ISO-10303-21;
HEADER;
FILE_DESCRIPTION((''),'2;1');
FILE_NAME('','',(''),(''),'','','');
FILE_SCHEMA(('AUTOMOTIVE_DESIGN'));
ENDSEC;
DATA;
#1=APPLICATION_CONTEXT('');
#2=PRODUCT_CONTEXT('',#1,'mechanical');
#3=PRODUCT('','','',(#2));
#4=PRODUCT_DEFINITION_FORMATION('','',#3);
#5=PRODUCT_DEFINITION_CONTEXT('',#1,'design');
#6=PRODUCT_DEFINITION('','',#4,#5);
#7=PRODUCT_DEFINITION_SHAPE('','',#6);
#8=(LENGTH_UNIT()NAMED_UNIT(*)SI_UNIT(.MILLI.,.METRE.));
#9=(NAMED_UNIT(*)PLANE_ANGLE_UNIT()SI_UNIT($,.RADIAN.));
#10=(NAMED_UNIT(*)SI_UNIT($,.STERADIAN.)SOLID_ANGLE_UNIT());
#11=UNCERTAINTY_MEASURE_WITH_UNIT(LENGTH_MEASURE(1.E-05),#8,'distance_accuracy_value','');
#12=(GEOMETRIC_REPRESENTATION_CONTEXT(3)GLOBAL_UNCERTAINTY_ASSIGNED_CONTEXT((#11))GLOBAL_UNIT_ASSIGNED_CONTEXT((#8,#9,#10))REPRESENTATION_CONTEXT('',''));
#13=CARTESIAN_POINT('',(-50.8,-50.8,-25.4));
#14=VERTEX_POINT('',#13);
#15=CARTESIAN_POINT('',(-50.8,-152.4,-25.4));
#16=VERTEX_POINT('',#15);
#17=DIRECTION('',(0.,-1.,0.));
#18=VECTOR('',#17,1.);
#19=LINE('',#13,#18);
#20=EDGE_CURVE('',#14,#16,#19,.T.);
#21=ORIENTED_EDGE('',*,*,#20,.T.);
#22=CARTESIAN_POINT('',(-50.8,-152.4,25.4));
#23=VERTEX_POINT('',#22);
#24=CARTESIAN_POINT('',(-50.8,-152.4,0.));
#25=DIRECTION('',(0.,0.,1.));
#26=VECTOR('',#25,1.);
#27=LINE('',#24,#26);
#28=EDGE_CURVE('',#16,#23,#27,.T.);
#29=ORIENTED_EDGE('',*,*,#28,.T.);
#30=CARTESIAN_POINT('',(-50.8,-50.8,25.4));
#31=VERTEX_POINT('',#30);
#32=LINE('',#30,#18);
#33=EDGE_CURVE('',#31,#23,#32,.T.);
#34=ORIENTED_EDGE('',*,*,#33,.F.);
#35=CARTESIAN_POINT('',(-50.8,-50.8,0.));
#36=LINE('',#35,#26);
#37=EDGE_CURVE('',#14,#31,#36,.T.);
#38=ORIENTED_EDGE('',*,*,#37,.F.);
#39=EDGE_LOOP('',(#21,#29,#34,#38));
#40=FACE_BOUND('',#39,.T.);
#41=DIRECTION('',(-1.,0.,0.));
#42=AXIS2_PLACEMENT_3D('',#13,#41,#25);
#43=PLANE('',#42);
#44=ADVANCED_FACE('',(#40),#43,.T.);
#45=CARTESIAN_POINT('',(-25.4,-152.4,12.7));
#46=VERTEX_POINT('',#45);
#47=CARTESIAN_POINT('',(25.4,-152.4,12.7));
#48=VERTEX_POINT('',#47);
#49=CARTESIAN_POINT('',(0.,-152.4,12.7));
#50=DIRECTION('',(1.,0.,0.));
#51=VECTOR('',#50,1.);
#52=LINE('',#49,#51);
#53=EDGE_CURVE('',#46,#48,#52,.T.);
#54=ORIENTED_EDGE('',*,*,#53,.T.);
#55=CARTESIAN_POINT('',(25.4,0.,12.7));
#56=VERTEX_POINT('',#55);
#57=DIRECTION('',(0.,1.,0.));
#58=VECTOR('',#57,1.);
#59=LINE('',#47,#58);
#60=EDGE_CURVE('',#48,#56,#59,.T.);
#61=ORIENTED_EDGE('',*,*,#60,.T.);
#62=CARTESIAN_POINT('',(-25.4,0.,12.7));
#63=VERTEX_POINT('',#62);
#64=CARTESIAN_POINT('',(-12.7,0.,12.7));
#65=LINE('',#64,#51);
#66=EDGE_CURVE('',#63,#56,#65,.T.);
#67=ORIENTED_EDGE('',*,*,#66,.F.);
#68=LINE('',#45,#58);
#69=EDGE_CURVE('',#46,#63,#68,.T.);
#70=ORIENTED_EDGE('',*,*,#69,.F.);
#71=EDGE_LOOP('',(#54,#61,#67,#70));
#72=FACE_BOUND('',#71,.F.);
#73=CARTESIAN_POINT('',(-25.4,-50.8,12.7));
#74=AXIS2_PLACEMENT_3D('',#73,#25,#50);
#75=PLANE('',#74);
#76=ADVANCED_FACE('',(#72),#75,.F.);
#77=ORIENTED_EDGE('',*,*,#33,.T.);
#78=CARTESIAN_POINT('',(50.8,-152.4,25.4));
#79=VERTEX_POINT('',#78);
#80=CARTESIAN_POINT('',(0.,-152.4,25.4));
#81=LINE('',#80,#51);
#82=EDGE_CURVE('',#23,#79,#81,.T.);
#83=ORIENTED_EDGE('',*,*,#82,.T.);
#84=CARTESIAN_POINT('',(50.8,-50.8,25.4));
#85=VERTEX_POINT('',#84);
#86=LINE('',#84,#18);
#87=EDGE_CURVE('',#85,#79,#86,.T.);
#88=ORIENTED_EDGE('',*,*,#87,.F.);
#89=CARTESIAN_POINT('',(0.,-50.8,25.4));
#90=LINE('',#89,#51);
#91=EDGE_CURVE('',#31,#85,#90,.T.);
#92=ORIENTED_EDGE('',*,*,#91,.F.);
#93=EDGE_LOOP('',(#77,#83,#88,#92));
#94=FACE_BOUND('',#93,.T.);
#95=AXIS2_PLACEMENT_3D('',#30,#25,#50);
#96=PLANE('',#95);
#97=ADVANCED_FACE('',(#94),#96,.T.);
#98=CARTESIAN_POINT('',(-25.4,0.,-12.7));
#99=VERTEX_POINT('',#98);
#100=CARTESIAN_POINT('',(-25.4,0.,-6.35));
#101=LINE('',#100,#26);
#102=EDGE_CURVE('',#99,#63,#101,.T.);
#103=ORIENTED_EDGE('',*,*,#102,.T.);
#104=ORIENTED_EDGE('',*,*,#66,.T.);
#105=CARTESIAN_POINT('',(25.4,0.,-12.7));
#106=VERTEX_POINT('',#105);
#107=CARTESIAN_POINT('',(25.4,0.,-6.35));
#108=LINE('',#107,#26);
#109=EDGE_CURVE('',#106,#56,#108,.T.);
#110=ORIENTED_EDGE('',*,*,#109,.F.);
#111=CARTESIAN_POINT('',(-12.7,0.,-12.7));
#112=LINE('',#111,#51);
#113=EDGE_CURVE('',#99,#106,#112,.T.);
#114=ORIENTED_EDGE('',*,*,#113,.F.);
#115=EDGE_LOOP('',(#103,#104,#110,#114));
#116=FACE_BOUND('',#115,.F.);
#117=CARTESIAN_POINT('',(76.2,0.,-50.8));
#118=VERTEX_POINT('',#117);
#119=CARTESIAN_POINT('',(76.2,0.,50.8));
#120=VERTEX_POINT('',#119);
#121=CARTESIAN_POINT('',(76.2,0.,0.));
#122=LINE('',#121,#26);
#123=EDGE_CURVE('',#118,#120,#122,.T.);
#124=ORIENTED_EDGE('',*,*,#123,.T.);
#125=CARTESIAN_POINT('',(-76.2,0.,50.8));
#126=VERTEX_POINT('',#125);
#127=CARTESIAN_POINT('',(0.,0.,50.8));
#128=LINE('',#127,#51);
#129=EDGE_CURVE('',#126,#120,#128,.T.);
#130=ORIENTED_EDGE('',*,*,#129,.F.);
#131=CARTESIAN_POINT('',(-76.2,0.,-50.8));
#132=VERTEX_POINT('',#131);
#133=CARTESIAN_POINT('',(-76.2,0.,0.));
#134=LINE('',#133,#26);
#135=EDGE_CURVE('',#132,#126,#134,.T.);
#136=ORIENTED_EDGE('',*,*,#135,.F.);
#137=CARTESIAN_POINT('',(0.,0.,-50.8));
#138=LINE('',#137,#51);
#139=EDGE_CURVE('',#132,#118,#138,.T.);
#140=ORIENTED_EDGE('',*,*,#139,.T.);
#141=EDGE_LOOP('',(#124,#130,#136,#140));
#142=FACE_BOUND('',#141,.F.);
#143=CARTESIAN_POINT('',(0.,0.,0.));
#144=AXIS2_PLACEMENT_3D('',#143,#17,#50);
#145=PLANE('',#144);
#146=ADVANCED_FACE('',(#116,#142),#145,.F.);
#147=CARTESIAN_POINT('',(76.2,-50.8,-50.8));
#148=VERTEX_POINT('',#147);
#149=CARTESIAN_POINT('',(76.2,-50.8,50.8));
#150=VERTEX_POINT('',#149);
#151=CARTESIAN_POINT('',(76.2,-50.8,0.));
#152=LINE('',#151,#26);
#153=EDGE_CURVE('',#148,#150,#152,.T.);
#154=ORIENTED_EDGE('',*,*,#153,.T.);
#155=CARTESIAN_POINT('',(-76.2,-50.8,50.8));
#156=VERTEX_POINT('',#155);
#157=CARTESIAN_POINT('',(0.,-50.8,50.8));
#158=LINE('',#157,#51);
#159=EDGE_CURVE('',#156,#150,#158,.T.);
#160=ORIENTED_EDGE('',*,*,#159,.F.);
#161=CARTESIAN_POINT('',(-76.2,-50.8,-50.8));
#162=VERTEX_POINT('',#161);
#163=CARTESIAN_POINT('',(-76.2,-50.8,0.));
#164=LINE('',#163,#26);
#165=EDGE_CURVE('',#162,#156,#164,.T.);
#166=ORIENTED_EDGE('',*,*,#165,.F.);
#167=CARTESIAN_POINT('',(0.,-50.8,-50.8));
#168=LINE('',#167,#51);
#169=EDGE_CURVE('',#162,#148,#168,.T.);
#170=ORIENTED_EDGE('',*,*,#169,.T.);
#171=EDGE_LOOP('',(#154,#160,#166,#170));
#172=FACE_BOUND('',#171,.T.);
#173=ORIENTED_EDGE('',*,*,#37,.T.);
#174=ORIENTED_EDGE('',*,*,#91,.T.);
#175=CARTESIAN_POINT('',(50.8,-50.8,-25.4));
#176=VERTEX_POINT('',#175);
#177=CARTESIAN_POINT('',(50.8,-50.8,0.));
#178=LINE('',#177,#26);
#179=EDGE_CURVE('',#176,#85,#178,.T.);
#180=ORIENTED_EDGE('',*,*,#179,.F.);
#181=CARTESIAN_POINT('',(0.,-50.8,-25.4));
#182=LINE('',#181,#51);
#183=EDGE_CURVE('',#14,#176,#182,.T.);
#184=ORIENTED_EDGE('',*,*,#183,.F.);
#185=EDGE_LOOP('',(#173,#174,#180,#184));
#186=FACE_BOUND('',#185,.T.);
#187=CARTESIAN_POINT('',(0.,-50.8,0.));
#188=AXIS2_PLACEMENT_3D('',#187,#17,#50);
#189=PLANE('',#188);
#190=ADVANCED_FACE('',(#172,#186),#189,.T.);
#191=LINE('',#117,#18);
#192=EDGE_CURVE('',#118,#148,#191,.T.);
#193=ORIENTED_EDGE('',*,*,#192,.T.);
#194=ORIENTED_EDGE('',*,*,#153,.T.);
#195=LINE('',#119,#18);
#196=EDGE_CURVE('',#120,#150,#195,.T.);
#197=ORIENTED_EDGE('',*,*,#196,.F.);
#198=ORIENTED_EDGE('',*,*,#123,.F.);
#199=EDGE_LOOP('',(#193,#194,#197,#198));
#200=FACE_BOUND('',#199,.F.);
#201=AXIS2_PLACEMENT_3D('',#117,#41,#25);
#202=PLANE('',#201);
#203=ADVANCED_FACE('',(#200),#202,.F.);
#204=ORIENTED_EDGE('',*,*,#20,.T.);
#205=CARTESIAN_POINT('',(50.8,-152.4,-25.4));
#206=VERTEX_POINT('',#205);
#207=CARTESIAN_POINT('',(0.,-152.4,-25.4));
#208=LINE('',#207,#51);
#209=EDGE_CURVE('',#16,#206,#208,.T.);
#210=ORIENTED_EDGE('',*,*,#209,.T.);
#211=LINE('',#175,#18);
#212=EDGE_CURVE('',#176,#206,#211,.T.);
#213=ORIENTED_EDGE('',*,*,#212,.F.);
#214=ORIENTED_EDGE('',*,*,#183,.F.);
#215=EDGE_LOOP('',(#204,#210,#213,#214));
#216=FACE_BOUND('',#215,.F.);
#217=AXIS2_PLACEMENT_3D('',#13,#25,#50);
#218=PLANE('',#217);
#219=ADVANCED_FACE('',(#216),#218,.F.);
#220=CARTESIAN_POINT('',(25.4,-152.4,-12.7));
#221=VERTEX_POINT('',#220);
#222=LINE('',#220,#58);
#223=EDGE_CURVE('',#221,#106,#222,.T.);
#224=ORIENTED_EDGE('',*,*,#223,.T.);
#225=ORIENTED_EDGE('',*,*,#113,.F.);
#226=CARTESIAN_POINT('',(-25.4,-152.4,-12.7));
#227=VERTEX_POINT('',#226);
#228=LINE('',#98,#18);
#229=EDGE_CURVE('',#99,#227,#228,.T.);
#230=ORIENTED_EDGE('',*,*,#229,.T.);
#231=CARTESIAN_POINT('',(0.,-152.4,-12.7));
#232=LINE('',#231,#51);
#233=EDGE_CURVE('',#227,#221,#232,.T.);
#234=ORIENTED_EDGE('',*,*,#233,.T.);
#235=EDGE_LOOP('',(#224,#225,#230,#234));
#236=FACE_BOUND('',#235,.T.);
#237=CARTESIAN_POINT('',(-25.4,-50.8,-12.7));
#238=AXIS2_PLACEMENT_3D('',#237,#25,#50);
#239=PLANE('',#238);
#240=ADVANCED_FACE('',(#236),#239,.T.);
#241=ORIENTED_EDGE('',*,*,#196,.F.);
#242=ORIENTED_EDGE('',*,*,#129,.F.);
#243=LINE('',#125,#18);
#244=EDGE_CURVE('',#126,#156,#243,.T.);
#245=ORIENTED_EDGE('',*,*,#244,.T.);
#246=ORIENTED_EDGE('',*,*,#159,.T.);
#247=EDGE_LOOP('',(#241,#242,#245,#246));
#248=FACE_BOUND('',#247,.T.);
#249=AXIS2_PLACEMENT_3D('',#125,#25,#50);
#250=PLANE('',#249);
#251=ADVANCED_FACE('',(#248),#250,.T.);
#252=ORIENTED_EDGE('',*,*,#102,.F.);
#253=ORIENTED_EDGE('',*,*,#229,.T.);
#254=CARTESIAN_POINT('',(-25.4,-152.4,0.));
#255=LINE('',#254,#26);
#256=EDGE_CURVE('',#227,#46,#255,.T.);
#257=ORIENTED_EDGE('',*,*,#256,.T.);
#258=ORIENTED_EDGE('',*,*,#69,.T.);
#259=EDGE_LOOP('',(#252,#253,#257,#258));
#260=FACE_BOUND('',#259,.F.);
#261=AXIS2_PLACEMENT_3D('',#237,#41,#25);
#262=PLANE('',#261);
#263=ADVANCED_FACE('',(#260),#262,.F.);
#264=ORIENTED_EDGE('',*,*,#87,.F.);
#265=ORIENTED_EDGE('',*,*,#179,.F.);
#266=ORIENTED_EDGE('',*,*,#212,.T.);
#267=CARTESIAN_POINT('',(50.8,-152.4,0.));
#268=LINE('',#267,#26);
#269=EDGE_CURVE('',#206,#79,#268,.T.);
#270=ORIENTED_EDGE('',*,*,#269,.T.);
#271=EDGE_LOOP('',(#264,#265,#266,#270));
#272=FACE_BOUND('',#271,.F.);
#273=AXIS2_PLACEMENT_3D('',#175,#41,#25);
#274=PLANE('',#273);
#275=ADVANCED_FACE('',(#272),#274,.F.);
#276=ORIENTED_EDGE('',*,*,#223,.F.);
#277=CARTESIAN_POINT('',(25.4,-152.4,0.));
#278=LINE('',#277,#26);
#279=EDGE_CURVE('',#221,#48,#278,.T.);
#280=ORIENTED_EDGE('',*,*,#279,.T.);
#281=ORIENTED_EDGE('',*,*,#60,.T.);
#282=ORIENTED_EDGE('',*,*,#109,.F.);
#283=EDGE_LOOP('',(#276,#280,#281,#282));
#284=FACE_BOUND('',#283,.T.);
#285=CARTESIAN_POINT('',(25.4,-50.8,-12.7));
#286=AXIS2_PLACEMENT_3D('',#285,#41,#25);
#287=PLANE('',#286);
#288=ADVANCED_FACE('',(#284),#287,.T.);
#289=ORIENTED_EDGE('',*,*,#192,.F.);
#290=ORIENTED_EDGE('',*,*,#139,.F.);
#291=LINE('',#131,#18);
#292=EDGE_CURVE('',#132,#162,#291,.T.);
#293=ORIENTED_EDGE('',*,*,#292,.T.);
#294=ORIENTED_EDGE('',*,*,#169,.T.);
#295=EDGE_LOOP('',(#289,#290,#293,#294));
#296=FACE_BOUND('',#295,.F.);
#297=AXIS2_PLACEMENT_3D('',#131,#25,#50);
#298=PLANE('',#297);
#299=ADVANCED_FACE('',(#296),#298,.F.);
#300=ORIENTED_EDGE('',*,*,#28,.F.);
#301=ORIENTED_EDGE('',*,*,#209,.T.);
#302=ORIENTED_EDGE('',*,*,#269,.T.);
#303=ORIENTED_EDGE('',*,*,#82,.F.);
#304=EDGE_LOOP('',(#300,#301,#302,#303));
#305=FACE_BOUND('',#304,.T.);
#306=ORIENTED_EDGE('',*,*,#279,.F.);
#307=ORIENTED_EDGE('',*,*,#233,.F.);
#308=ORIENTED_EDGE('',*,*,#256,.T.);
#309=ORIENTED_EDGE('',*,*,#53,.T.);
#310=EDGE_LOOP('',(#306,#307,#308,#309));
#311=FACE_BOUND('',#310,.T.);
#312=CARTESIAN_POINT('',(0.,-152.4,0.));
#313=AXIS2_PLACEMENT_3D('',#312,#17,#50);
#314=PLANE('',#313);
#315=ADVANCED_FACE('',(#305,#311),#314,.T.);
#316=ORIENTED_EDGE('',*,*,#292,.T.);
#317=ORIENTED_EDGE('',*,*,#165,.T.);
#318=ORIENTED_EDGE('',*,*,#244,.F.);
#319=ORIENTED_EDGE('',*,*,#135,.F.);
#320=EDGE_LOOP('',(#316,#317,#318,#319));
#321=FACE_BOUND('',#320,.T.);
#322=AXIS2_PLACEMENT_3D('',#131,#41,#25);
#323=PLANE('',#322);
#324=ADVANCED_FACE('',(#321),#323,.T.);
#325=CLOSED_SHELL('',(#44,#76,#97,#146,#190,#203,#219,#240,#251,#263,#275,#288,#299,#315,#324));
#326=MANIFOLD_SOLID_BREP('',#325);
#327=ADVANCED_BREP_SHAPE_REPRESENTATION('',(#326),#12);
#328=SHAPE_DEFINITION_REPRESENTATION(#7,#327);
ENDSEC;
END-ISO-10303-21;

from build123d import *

# Parameters (mm, degrees)
F0_W     = 152.4
F0_H     = 101.6
F1_DEPTH = 50.8
F2_W     = 50.8
F2_H     = 25.4
F3_DEPTH = 50.801
F4_W     = 101.6
F4_H     = 50.8
F4_W_2   = 50.8
F4_H_2   = 25.4
F5_DEPTH = 101.6


with BuildPart() as f1:
    # F0 (on Front) → F1 (new body)
    with BuildSketch(Plane.XZ):
        Rectangle(F0_W, F0_H)
    extrude(amount=F1_DEPTH)

    # F2 (on face) → F3 (cut, through all)
    with BuildSketch(Plane.XZ.offset(50.8)):
        Rectangle(F2_W, F2_H)
    extrude(amount=-F3_DEPTH, mode=Mode.SUBTRACT)

    # F4 (on face) → F5 (join)
    with BuildSketch(Plane.XZ.offset(50.8)):
        Rectangle(F4_W, F4_H)
        Rectangle(F4_W_2, F4_H_2, mode=Mode.SUBTRACT)
    extrude(amount=F5_DEPTH)


solid = f1.part
